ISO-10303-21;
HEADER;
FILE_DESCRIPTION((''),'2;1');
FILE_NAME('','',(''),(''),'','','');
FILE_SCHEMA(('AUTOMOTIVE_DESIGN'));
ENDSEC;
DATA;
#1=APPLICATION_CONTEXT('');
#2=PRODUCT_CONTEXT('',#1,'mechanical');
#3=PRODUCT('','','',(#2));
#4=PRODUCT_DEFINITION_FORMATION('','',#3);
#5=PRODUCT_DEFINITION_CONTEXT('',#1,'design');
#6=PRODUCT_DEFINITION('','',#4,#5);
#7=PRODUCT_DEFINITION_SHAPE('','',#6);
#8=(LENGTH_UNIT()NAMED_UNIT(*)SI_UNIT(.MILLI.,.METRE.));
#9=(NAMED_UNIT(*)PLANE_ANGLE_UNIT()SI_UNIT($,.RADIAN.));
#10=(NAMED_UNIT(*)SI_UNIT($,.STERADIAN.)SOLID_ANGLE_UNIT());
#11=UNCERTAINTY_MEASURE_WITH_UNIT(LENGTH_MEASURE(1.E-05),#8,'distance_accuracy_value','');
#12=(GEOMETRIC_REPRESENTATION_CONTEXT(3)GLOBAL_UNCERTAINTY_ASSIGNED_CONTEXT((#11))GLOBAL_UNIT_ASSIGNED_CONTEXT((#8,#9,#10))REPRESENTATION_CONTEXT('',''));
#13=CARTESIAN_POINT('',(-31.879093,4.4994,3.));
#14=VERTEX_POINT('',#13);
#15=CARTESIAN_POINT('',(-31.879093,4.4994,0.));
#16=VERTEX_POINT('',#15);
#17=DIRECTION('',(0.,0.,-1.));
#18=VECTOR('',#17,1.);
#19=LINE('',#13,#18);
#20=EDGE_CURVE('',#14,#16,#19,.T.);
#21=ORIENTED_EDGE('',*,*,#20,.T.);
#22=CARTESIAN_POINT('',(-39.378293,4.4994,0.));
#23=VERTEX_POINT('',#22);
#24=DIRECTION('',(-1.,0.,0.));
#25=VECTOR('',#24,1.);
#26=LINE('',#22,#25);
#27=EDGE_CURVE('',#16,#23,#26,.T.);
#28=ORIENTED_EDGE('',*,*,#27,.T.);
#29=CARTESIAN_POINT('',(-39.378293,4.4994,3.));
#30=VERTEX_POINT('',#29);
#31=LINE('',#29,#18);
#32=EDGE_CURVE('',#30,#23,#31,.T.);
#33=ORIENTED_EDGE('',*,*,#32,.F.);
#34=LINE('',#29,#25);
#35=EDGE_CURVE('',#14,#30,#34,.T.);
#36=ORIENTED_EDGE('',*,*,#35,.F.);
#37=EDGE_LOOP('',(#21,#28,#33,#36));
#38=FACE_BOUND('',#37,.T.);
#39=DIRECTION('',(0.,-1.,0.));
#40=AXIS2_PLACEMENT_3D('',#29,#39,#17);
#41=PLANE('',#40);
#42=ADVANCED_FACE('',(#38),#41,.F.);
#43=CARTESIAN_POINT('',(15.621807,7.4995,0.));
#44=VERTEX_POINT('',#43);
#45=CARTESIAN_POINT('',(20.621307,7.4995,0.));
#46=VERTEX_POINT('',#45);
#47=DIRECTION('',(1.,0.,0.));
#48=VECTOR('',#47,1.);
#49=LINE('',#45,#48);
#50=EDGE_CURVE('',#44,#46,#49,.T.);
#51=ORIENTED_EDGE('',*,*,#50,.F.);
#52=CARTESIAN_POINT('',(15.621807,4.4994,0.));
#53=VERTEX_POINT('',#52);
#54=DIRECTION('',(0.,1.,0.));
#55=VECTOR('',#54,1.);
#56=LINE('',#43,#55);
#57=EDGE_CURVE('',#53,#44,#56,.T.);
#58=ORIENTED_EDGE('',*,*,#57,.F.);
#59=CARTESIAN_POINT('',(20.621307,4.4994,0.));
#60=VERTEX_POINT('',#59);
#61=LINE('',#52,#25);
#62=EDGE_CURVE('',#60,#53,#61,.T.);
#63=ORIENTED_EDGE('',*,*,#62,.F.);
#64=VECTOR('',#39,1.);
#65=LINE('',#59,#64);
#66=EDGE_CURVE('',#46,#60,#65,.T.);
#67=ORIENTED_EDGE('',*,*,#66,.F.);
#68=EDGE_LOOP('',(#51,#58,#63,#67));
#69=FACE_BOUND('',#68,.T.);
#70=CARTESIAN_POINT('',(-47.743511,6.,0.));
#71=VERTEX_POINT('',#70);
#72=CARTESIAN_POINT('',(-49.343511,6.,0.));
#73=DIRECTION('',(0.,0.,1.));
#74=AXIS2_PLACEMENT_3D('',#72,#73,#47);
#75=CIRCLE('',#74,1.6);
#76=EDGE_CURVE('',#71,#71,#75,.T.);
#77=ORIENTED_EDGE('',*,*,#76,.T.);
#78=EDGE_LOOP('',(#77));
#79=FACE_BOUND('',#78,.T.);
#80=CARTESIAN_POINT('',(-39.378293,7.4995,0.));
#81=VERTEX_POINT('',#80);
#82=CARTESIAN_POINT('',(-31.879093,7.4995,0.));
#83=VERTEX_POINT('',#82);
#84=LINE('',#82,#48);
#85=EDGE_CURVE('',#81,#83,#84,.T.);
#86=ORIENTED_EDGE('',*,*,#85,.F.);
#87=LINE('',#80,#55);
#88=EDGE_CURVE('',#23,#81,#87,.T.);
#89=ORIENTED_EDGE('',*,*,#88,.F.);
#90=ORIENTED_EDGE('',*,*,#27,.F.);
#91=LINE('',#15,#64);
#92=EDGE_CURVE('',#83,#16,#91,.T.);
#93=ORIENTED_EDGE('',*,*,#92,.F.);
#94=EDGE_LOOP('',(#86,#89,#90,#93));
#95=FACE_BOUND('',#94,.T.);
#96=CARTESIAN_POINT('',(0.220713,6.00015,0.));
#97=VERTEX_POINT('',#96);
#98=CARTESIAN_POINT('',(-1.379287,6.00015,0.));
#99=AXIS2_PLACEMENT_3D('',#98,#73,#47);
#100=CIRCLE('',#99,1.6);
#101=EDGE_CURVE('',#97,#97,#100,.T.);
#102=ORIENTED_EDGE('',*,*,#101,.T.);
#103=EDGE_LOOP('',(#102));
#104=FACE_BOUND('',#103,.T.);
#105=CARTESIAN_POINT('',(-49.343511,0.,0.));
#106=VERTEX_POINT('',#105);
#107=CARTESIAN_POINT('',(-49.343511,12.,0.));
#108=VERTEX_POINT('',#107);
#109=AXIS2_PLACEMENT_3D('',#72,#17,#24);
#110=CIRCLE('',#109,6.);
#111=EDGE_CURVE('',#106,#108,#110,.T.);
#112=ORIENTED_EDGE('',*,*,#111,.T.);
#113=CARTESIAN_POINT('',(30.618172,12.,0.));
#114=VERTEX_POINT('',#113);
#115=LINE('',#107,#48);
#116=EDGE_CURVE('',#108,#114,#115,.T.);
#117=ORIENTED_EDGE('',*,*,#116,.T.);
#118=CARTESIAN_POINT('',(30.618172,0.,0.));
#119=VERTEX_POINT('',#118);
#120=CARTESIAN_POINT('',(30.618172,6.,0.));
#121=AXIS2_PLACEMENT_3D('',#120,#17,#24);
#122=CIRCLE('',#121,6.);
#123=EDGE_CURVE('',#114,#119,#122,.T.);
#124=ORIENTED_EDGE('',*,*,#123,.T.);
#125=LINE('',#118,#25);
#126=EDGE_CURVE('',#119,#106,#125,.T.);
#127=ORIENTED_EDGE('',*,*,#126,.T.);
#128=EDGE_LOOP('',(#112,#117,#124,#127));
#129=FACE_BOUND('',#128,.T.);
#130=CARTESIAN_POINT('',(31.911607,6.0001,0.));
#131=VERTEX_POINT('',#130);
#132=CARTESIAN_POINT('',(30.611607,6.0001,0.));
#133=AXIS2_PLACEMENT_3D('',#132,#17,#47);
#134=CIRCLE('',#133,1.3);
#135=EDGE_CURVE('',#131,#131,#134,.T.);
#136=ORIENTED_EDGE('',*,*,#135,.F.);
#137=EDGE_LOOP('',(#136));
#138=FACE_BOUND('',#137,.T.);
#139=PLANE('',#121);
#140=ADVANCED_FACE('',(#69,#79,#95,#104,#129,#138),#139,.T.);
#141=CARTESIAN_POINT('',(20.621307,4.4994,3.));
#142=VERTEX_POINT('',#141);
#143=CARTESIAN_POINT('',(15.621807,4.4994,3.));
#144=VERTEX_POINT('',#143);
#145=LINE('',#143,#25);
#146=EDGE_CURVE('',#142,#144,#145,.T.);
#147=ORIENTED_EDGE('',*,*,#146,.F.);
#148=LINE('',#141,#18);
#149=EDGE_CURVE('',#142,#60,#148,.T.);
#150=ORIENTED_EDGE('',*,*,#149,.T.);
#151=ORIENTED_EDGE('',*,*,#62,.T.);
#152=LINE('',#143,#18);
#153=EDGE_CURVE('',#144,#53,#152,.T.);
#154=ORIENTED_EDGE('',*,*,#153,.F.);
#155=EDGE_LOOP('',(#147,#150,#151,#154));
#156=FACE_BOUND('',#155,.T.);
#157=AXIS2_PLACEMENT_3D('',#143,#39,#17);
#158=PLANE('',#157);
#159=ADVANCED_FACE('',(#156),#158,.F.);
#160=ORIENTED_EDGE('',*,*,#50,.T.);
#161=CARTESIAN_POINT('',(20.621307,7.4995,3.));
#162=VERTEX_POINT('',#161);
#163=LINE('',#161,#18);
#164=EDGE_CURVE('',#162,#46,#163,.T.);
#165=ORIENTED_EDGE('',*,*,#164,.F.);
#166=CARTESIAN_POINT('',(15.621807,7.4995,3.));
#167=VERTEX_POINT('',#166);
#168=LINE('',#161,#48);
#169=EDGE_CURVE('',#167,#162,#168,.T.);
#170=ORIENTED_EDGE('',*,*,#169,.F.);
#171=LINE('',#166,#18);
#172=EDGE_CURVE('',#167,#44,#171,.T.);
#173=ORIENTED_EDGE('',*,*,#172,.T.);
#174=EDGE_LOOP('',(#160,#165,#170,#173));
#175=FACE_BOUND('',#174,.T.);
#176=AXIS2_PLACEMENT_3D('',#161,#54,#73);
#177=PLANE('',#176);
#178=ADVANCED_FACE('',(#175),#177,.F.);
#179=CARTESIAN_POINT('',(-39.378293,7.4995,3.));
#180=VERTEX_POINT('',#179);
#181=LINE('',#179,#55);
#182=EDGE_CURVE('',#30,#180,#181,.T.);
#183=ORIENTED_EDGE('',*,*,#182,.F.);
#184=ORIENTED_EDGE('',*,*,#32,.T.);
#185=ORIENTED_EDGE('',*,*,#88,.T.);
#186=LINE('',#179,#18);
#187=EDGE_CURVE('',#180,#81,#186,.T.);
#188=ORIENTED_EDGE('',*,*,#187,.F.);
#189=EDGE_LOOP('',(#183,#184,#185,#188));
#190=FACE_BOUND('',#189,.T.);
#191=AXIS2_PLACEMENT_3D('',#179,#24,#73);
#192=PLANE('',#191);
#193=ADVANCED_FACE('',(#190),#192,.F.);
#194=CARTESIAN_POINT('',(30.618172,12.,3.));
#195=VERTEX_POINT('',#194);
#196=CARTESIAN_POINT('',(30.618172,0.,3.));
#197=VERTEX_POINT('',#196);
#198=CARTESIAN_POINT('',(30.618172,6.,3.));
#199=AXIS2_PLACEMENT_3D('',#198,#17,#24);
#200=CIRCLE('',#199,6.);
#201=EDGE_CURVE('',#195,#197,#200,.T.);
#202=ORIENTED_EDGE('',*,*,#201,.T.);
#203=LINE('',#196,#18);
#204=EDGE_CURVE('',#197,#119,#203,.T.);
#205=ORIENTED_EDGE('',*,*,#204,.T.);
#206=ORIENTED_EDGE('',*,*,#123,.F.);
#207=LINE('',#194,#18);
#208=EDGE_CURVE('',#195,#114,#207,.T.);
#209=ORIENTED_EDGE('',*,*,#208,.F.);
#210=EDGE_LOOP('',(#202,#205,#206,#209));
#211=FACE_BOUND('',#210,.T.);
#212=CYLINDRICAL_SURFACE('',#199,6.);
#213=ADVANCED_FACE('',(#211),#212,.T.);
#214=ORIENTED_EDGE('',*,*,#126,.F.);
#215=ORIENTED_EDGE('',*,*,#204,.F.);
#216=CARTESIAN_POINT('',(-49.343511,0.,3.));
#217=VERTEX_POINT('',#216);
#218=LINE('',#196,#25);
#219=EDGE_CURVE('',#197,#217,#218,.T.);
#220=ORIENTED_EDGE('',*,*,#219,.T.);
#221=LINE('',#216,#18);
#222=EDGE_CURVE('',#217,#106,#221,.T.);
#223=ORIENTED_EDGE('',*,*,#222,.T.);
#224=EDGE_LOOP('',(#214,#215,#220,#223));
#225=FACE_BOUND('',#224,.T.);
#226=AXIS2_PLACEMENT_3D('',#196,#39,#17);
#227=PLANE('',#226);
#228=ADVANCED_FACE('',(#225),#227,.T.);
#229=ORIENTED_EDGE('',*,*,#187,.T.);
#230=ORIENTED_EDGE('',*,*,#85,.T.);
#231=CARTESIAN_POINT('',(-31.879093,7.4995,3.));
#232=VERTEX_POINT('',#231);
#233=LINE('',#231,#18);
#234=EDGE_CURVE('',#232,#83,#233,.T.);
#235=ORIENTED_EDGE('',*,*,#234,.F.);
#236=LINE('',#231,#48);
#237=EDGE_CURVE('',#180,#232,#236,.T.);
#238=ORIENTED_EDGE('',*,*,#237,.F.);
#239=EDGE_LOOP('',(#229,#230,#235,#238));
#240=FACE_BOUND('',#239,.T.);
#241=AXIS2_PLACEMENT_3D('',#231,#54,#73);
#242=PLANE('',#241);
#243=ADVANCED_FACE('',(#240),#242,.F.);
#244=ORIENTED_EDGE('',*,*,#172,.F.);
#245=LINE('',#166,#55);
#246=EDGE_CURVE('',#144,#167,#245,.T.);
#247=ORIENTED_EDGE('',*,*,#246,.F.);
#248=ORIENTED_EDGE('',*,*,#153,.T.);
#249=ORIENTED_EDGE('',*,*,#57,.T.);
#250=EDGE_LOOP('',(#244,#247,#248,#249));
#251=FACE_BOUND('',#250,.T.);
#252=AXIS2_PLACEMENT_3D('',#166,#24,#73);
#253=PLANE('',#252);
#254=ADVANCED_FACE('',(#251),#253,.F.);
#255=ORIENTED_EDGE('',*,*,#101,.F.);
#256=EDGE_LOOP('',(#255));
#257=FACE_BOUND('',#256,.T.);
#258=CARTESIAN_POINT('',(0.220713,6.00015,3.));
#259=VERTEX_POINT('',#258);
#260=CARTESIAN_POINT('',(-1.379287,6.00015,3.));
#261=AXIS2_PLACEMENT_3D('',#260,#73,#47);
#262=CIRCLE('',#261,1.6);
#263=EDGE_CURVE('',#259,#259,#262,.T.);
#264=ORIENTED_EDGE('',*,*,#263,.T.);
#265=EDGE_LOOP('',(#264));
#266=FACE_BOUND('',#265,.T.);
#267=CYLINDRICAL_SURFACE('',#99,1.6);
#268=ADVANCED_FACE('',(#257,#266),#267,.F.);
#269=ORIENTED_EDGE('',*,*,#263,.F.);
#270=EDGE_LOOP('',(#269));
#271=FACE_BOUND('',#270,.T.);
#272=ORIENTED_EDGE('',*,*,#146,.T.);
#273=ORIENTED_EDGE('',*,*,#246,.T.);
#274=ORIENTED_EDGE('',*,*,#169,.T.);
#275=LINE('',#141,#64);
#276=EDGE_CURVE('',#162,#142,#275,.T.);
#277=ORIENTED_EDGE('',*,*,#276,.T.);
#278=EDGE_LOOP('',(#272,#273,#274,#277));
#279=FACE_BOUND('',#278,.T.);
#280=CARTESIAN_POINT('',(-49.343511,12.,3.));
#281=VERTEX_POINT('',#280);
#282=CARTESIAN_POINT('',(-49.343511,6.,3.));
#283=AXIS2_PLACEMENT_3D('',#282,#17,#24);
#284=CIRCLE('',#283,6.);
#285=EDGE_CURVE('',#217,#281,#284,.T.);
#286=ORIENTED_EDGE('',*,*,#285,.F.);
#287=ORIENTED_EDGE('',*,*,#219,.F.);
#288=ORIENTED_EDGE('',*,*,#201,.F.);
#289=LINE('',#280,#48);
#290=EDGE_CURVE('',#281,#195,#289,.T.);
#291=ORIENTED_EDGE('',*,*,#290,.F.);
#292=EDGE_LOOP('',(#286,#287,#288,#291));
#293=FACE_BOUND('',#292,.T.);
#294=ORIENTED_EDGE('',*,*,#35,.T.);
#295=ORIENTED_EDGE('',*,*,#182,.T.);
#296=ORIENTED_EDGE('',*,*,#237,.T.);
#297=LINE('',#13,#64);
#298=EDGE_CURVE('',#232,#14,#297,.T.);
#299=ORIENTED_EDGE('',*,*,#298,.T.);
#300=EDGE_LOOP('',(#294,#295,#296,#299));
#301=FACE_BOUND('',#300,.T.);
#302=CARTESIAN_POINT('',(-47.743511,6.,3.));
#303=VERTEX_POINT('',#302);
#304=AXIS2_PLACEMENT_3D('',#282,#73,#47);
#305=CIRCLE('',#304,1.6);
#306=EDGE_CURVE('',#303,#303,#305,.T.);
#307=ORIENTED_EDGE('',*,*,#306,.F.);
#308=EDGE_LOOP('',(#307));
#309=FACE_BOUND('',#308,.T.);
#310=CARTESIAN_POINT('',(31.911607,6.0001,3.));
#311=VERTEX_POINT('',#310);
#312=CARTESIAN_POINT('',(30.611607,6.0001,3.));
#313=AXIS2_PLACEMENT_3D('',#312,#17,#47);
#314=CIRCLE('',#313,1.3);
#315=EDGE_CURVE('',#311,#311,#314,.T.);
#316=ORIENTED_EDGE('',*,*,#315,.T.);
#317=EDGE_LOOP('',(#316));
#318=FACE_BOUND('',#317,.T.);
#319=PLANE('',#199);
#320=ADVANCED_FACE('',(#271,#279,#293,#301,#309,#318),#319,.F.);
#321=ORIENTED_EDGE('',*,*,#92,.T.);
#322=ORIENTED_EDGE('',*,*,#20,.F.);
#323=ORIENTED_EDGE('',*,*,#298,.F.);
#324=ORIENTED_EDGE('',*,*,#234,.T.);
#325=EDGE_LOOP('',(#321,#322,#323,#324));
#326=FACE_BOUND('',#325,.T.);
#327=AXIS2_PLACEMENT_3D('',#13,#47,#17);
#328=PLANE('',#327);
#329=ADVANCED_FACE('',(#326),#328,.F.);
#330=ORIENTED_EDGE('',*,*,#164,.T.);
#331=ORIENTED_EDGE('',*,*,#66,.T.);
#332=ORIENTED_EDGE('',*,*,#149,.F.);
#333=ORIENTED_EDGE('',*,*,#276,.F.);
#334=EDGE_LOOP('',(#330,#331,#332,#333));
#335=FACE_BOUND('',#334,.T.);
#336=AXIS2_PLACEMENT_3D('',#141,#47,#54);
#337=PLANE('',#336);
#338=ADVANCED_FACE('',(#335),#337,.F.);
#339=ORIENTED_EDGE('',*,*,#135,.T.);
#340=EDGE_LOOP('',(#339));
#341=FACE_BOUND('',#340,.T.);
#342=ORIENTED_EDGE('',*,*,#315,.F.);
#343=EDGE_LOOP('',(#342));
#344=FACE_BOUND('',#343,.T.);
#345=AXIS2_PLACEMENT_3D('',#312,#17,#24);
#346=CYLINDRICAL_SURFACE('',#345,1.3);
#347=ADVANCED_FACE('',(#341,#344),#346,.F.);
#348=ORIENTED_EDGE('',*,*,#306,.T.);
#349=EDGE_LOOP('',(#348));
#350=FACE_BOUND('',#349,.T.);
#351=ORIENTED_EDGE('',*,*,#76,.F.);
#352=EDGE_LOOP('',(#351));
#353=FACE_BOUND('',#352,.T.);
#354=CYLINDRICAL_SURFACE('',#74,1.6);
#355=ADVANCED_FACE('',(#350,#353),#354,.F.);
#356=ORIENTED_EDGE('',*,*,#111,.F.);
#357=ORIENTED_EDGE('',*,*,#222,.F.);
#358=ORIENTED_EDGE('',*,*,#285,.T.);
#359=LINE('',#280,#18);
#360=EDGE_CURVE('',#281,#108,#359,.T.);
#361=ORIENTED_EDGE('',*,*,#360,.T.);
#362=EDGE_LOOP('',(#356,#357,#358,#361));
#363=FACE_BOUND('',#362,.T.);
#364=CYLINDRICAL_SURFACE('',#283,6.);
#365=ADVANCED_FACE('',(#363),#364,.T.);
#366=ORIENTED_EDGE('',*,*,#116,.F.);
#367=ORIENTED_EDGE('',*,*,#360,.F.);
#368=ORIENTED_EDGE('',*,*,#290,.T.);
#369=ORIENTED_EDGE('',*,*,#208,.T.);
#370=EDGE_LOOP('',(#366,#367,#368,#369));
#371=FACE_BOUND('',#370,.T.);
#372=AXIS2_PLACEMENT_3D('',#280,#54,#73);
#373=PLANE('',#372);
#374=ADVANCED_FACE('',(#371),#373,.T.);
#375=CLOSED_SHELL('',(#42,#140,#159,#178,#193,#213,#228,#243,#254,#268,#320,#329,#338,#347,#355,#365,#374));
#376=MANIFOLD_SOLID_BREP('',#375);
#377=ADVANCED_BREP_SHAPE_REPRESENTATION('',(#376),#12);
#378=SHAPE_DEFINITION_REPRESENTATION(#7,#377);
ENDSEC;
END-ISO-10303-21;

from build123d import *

# Parameters (mm, degrees)
SKETCH_1_R          = 1.3
SKETCH_1_W          = 7.4992
SKETCH_1_H          = 3.0001
SKETCH_1_W_2        = 4.9995
EXTRUDE_1_DEPTH     = 3
SKETCH_2_R          = 1.6
CUT_EXTRUDE_1_DEPTH = 57.708942736


with BuildPart() as part:
    # 草图1 → 凸台-拉伸1 (new body)
    with BuildSketch(Plane(origin=(0, 0, 0), x_dir=(-1, 0, 0), z_dir=(0, 0, -1))):
        with BuildLine():
            Line((-30.618171933, 0), (49.343510787, 0))
            ThreePointArc((49.343510787, 0), (55.343510787, 6), (49.343510787, 12))
            Line((49.343510787, 12), (-30.618171933, 12))
            ThreePointArc((-30.618171933, 12), (-36.618171933, 6), (-30.618171933, 0))
        make_face()
        with Locations(Location((49.343510787, 6, 0), (0, 0, 180))):
            Circle(SKETCH_1_R, mode=Mode.SUBTRACT)
        with Locations(Location((1.379286828, 6.00015, 0), (0, 0, 180))):
            Circle(SKETCH_1_R, mode=Mode.SUBTRACT)
        with Locations(Location((-30.611606698, 6.0001, 0), (0, 0, 180))):
            Circle(SKETCH_1_R, mode=Mode.SUBTRACT)
        with Locations((35.628693302, 5.99945)):
            Rectangle(SKETCH_1_W, SKETCH_1_H, mode=Mode.SUBTRACT)
        with Locations((-18.121556698, 5.99945)):
            Rectangle(SKETCH_1_W_2, SKETCH_1_H, mode=Mode.SUBTRACT)
    extrude(amount=-EXTRUDE_1_DEPTH)

    # 草图2 → 切除-拉伸1 (cut, through all)
    with BuildSketch(Plane.XY.offset(3)):
        with Locations((-49.343510787, 6)):
            Circle(SKETCH_2_R)
        with Locations((-1.379286828, 6.00015)):
            Circle(SKETCH_2_R)
    extrude(amount=-CUT_EXTRUDE_1_DEPTH, mode=Mode.SUBTRACT)


solid = part.part
